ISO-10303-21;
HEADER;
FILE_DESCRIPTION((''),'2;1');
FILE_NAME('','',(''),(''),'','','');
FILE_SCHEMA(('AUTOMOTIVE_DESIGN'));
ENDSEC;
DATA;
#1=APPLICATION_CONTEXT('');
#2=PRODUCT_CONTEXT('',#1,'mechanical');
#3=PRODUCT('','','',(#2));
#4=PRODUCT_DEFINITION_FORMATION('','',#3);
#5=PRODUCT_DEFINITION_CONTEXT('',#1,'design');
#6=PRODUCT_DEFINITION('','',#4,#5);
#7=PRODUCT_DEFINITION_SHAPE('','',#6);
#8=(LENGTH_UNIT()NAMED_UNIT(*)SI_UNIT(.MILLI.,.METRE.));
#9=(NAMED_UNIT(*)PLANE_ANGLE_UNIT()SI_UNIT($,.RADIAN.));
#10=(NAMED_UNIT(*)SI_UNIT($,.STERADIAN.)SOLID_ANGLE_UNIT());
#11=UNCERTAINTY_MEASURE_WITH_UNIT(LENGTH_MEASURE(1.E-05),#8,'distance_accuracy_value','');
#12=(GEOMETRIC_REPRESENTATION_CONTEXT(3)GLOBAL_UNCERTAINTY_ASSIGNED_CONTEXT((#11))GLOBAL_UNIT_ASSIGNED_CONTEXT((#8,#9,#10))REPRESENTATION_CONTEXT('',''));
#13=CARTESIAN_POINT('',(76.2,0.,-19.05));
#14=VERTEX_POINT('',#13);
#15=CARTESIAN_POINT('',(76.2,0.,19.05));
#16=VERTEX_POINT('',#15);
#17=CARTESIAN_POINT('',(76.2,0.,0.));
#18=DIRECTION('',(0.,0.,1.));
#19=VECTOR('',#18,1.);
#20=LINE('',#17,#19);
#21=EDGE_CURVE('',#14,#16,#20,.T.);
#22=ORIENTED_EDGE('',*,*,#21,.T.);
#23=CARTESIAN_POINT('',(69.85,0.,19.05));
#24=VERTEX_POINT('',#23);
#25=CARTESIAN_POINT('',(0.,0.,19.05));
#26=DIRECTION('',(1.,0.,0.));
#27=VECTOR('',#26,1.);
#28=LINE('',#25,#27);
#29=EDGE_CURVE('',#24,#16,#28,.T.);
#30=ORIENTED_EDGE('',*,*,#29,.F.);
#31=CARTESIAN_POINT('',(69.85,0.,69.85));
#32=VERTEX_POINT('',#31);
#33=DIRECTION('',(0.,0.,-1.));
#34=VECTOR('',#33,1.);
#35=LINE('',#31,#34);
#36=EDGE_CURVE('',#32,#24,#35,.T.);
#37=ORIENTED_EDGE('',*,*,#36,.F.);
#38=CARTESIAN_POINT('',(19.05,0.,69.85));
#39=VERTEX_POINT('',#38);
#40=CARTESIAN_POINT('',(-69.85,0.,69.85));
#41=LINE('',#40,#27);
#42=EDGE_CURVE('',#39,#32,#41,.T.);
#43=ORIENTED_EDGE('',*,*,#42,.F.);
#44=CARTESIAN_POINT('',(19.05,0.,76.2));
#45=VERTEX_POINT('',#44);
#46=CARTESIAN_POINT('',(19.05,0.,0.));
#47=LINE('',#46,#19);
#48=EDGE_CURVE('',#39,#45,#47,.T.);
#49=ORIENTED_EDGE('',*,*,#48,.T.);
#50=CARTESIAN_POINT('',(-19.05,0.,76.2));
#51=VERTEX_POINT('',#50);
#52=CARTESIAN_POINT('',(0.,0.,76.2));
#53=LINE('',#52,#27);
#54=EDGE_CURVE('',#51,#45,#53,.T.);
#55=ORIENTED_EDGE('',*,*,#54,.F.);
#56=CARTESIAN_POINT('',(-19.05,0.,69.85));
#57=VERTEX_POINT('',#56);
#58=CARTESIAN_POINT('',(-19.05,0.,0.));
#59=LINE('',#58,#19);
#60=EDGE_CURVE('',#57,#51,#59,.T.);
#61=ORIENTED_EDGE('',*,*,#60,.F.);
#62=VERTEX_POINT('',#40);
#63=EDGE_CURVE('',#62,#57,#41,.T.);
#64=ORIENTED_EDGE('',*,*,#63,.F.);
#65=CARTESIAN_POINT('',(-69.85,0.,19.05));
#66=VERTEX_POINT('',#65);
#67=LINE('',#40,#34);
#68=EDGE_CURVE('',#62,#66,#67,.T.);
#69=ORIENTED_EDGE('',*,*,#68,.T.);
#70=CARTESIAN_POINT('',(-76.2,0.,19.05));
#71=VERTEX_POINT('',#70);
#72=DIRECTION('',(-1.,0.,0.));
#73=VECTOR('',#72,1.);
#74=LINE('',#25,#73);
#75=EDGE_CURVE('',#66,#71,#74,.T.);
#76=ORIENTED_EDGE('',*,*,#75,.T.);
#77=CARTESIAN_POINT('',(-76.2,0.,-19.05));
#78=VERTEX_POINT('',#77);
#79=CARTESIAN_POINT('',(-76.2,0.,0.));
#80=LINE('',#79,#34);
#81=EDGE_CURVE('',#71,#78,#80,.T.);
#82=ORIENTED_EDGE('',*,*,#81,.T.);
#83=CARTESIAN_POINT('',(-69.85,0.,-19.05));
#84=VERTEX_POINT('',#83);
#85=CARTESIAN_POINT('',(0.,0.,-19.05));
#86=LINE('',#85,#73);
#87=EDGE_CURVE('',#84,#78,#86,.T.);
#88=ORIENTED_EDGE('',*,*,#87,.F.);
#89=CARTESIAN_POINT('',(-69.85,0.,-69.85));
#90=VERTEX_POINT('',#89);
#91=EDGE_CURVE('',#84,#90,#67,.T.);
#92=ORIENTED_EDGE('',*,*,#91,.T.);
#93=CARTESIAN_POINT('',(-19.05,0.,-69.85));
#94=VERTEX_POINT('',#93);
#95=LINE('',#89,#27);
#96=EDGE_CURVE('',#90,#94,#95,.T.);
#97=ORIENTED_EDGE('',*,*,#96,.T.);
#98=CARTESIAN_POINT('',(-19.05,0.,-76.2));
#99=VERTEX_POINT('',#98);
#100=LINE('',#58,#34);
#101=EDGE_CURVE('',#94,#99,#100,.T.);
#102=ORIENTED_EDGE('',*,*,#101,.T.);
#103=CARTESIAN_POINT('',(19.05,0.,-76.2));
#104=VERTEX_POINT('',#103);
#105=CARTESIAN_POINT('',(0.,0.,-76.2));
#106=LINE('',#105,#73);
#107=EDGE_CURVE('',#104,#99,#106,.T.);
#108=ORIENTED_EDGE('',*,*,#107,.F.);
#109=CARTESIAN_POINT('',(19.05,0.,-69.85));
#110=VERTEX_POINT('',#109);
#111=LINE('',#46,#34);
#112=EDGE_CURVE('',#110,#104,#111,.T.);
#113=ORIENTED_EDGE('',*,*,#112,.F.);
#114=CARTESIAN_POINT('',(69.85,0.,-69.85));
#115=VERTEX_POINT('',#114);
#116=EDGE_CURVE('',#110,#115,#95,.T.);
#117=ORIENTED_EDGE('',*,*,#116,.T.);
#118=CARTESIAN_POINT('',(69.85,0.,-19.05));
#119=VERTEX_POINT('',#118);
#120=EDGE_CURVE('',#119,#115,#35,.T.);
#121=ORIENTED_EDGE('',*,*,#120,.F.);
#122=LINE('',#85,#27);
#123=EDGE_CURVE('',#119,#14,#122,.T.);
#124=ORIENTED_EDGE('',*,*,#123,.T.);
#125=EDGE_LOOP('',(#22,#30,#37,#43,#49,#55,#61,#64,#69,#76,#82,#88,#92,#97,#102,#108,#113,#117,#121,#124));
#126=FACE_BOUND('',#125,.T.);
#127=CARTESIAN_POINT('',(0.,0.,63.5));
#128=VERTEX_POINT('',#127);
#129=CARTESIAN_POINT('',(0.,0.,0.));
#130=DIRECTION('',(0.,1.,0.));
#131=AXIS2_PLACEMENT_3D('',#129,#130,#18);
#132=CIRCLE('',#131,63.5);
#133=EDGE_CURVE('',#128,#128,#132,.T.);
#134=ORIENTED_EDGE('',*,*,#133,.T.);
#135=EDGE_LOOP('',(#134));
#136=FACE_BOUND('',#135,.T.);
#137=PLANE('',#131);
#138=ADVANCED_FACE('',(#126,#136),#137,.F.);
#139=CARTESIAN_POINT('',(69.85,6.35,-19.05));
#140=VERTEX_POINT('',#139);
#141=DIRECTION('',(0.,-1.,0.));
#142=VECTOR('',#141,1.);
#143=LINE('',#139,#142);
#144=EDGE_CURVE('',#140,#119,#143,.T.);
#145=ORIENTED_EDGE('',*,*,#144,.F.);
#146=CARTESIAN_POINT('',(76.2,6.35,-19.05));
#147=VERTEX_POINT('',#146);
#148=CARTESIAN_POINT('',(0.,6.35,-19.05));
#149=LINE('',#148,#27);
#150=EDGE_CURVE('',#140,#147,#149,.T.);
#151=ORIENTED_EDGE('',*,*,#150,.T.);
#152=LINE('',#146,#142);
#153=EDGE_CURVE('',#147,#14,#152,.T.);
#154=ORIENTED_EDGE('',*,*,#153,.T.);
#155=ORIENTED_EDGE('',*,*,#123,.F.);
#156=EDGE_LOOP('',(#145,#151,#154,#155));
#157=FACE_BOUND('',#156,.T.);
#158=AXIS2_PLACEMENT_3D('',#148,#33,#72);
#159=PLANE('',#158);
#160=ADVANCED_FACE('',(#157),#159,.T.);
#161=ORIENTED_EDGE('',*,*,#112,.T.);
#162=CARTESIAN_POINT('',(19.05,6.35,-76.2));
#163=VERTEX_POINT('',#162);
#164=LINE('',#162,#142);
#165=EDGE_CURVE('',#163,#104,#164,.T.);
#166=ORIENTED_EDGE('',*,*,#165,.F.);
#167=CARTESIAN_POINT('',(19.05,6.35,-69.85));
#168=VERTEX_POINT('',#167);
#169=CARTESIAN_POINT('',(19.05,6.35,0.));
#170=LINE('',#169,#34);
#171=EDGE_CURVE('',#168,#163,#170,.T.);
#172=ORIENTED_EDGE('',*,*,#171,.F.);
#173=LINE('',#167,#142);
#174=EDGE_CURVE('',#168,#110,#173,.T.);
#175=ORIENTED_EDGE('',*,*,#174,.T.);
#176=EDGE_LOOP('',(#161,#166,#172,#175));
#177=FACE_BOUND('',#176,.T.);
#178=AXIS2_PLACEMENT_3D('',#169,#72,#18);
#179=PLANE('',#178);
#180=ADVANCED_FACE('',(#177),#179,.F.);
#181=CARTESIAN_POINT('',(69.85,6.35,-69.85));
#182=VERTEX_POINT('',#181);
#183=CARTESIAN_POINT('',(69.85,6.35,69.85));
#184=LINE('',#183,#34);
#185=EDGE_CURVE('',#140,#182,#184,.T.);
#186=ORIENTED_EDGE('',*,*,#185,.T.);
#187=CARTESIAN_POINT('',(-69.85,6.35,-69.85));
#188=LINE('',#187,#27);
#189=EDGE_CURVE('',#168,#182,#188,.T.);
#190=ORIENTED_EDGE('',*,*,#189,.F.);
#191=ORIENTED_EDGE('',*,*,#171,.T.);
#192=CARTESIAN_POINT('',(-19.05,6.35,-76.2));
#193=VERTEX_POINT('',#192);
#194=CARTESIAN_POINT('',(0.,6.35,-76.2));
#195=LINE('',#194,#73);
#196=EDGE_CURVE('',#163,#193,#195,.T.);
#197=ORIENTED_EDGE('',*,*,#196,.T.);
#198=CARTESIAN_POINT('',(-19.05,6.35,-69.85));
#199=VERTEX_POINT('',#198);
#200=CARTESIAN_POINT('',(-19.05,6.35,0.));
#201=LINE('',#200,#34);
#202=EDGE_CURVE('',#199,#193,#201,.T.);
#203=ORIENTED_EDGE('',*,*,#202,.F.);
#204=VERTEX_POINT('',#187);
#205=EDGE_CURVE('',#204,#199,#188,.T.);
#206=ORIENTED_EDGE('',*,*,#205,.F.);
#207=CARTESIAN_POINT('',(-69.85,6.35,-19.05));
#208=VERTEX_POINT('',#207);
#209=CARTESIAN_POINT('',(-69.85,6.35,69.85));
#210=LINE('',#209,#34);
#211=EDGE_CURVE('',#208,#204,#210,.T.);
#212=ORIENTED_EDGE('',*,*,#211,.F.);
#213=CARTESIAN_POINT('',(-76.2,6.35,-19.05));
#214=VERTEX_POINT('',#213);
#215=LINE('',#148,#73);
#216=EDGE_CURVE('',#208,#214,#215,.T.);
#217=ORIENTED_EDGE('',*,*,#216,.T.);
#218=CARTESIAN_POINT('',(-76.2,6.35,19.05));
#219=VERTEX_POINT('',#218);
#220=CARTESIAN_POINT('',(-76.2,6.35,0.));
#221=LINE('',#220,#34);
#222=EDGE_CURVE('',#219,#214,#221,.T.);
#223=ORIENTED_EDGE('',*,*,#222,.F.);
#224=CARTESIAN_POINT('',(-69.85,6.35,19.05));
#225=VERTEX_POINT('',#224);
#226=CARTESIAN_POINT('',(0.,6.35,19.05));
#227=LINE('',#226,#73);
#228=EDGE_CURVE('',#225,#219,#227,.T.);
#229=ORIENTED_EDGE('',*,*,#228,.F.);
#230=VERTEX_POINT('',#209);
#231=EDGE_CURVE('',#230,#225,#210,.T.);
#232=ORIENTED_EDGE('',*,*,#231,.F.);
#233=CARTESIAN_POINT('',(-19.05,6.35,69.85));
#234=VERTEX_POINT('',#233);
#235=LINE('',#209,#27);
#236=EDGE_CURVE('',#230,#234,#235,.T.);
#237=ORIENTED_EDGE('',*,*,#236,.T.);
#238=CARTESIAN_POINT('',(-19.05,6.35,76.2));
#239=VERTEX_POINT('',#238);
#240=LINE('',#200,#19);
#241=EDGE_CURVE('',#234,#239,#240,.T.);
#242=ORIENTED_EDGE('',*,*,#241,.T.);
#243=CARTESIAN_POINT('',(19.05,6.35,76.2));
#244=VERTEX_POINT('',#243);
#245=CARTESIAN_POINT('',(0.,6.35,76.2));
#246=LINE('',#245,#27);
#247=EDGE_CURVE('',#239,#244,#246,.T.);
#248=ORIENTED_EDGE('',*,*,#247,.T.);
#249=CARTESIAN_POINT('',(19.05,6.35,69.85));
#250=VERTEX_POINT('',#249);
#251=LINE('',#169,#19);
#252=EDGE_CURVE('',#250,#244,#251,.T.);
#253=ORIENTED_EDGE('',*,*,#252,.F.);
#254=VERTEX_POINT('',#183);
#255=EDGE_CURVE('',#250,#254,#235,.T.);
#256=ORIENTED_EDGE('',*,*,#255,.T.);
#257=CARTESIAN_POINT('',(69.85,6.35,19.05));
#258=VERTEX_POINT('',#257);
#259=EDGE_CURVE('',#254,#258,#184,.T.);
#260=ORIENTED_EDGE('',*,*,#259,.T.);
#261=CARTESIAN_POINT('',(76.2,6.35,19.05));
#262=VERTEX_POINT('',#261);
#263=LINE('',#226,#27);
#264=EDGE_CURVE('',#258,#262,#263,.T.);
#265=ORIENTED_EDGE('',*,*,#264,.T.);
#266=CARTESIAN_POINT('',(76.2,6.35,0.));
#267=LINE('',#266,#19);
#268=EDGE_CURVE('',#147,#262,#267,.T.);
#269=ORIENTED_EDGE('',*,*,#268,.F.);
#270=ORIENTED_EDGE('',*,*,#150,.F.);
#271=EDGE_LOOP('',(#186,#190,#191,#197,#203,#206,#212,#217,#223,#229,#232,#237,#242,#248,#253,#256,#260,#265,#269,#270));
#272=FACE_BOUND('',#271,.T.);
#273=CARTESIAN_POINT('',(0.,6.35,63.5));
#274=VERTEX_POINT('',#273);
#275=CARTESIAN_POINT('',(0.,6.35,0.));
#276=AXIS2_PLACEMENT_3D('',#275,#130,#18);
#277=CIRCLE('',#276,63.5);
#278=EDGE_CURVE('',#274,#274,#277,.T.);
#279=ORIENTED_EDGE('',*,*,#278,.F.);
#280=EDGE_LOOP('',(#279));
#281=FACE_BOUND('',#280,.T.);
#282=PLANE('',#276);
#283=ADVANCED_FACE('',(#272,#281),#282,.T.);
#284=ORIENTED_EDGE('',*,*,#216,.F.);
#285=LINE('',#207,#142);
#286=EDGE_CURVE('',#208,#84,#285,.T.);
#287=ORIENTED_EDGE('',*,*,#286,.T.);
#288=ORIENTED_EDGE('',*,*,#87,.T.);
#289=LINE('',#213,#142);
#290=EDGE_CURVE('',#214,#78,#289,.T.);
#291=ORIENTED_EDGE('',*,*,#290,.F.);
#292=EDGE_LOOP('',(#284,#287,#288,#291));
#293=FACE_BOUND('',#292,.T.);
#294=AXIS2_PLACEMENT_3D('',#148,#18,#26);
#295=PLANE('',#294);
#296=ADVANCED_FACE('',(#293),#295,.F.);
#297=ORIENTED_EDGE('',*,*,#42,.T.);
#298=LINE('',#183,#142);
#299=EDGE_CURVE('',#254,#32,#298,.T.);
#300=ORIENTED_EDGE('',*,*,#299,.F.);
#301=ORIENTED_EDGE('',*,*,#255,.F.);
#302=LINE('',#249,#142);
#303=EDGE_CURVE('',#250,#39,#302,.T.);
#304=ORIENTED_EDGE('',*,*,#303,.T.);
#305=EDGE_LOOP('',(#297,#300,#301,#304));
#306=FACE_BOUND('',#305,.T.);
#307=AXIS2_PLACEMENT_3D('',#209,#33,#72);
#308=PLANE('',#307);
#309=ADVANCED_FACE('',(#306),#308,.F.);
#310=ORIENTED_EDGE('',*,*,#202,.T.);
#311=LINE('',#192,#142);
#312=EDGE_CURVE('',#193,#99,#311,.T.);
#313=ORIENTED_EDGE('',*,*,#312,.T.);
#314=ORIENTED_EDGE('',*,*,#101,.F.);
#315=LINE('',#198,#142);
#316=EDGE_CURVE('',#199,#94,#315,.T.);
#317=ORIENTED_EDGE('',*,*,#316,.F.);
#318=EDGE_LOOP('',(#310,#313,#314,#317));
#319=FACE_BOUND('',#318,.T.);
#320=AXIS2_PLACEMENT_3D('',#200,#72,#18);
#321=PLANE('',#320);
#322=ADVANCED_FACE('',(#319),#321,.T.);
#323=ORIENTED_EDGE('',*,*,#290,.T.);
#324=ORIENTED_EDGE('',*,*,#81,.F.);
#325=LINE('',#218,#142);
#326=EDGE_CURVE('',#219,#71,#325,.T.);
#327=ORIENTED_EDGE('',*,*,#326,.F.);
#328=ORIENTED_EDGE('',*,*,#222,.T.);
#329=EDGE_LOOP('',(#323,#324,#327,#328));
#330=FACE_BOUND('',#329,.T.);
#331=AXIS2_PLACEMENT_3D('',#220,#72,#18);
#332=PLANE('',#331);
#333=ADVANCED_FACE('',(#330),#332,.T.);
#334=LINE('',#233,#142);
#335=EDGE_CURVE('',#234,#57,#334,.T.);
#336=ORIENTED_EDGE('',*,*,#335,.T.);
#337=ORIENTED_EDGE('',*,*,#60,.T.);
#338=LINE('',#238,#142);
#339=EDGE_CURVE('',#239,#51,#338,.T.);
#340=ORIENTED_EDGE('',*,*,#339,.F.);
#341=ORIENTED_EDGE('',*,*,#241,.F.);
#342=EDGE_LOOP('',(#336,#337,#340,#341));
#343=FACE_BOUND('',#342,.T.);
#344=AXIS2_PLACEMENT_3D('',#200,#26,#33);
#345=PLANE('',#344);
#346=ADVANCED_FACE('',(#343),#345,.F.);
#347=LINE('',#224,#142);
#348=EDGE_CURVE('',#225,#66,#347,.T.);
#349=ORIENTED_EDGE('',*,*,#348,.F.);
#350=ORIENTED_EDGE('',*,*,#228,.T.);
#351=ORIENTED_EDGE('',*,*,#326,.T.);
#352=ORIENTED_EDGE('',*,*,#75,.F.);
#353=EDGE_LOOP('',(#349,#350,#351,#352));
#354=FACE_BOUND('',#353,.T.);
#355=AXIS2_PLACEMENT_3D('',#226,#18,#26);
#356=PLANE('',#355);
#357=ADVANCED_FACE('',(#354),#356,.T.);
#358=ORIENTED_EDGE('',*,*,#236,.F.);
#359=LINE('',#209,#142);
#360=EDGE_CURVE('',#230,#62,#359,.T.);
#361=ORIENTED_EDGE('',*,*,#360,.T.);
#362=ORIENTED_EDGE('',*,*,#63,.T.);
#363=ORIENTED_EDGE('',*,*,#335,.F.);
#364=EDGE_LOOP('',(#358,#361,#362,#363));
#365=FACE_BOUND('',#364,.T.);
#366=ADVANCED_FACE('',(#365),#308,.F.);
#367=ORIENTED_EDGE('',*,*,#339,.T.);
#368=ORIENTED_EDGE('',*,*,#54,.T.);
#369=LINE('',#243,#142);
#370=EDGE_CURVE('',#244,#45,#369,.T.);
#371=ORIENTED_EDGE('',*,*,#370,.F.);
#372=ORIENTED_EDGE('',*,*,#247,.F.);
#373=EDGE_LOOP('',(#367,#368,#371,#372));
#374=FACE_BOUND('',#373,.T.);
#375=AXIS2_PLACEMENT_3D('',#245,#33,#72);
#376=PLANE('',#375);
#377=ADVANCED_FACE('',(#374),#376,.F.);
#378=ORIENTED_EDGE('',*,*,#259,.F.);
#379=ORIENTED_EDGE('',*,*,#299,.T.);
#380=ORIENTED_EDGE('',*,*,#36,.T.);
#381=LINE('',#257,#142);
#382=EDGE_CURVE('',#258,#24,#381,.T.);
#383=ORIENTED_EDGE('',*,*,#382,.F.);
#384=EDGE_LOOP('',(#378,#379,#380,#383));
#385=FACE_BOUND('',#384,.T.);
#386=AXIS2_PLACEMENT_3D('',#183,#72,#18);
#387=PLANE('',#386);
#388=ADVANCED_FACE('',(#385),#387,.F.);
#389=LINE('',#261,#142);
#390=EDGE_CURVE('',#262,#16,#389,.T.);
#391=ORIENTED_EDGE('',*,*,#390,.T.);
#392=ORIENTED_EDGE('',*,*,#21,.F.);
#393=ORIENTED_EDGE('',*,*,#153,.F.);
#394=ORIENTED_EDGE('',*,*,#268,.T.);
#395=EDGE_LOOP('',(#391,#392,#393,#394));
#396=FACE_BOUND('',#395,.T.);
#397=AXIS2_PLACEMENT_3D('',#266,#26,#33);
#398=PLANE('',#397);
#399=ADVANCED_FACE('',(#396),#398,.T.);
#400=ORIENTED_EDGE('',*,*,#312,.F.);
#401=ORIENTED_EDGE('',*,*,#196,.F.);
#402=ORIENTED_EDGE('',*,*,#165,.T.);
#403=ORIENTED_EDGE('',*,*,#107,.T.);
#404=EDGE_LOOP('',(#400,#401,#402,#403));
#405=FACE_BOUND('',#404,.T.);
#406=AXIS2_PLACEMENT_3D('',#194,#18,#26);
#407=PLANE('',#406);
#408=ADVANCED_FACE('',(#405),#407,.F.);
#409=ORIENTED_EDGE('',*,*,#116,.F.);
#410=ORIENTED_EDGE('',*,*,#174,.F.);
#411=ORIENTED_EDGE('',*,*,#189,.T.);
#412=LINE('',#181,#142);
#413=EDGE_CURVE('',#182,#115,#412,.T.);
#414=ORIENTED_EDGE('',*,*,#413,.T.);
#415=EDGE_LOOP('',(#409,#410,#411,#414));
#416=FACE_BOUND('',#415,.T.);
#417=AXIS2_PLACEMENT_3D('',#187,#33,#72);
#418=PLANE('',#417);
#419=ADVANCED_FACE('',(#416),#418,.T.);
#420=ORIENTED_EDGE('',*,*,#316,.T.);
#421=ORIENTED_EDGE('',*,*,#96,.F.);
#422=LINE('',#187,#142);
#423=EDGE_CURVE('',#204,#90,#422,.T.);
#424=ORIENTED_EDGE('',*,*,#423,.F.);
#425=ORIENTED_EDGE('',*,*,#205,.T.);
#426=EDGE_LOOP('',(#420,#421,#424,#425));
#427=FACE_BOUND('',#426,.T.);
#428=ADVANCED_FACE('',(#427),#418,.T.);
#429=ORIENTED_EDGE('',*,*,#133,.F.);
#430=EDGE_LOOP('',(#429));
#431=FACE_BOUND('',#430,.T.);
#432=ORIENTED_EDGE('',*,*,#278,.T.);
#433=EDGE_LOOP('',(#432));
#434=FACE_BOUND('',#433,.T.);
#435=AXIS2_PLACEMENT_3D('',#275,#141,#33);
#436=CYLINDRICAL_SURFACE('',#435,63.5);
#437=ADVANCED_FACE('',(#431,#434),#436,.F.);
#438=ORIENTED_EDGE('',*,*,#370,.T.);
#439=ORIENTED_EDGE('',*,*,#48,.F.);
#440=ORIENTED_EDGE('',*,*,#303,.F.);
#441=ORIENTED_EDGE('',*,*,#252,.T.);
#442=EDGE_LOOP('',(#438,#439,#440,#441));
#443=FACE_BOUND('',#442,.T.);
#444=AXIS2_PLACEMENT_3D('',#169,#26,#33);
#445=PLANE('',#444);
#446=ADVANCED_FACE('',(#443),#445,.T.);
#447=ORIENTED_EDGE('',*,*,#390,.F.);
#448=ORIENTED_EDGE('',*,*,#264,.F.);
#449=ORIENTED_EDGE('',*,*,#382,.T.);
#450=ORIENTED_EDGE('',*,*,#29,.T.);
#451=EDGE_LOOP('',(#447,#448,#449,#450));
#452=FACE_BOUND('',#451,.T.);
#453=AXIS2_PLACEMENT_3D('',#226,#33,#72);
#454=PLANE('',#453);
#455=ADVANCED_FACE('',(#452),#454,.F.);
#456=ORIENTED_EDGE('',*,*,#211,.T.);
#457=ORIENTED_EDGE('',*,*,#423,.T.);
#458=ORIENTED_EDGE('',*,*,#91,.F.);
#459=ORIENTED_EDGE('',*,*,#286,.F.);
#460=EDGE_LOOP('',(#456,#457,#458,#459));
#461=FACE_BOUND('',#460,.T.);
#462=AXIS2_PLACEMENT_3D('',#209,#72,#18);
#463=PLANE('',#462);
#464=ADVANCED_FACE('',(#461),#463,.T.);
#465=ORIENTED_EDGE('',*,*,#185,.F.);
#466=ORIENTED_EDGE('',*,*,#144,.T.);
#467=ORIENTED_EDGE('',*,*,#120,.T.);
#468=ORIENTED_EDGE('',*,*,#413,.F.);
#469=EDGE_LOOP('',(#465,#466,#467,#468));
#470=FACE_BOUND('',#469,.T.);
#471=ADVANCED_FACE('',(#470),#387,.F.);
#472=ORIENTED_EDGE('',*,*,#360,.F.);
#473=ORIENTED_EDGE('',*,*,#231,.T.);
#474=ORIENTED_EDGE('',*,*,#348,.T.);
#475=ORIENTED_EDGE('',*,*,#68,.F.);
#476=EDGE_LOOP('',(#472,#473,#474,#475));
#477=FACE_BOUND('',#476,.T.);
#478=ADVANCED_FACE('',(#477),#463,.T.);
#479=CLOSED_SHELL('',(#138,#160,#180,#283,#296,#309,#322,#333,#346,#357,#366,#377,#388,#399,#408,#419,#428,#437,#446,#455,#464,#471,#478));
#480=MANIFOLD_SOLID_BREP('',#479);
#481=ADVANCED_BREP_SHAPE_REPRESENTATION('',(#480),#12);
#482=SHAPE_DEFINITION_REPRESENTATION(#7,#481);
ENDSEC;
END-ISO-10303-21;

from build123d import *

# Parameters (mm, degrees)
SKETCH2_W           = 139.7
SKETCH2_H           = 139.7
SKETCH2_R           = 63.5
BOSS_EXTRUDE2_DEPTH = 6.35
SKETCH2_4_W         = 38.1
SKETCH2_4_H         = 6.35
SKETCH2_4_W_2       = 6.35
SKETCH2_4_H_2       = 38.1
BOSS_EXTRUDE3_DEPTH = 6.35


with BuildPart() as part:
    # Sketch2 → Boss-Extrude2 (new body)
    with BuildSketch(Plane(origin=(0, 0, 0), x_dir=(1, 0, 0), z_dir=(0, 1, 0))):
        Rectangle(SKETCH2_W, SKETCH2_H)
        Circle(SKETCH2_R, mode=Mode.SUBTRACT)
    extrude(amount=BOSS_EXTRUDE2_DEPTH)

    # Sketch2<4> → Boss-Extrude3 (add)
    with BuildSketch(Plane(origin=(0, 0, 0), x_dir=(1, 0, 0), z_dir=(0, 1, 0))):
        with Locations((0, -73.025)):
            Rectangle(SKETCH2_4_W, SKETCH2_4_H)
        with Locations((-73.025, 0)):
            Rectangle(SKETCH2_4_W_2, SKETCH2_4_H_2)
        with Locations((73.025, 0)):
            Rectangle(SKETCH2_4_W_2, SKETCH2_4_H_2)
        with Locations((0, 73.025)):
            Rectangle(SKETCH2_4_W, SKETCH2_4_H)
    extrude(amount=BOSS_EXTRUDE3_DEPTH)


solid = part.part
